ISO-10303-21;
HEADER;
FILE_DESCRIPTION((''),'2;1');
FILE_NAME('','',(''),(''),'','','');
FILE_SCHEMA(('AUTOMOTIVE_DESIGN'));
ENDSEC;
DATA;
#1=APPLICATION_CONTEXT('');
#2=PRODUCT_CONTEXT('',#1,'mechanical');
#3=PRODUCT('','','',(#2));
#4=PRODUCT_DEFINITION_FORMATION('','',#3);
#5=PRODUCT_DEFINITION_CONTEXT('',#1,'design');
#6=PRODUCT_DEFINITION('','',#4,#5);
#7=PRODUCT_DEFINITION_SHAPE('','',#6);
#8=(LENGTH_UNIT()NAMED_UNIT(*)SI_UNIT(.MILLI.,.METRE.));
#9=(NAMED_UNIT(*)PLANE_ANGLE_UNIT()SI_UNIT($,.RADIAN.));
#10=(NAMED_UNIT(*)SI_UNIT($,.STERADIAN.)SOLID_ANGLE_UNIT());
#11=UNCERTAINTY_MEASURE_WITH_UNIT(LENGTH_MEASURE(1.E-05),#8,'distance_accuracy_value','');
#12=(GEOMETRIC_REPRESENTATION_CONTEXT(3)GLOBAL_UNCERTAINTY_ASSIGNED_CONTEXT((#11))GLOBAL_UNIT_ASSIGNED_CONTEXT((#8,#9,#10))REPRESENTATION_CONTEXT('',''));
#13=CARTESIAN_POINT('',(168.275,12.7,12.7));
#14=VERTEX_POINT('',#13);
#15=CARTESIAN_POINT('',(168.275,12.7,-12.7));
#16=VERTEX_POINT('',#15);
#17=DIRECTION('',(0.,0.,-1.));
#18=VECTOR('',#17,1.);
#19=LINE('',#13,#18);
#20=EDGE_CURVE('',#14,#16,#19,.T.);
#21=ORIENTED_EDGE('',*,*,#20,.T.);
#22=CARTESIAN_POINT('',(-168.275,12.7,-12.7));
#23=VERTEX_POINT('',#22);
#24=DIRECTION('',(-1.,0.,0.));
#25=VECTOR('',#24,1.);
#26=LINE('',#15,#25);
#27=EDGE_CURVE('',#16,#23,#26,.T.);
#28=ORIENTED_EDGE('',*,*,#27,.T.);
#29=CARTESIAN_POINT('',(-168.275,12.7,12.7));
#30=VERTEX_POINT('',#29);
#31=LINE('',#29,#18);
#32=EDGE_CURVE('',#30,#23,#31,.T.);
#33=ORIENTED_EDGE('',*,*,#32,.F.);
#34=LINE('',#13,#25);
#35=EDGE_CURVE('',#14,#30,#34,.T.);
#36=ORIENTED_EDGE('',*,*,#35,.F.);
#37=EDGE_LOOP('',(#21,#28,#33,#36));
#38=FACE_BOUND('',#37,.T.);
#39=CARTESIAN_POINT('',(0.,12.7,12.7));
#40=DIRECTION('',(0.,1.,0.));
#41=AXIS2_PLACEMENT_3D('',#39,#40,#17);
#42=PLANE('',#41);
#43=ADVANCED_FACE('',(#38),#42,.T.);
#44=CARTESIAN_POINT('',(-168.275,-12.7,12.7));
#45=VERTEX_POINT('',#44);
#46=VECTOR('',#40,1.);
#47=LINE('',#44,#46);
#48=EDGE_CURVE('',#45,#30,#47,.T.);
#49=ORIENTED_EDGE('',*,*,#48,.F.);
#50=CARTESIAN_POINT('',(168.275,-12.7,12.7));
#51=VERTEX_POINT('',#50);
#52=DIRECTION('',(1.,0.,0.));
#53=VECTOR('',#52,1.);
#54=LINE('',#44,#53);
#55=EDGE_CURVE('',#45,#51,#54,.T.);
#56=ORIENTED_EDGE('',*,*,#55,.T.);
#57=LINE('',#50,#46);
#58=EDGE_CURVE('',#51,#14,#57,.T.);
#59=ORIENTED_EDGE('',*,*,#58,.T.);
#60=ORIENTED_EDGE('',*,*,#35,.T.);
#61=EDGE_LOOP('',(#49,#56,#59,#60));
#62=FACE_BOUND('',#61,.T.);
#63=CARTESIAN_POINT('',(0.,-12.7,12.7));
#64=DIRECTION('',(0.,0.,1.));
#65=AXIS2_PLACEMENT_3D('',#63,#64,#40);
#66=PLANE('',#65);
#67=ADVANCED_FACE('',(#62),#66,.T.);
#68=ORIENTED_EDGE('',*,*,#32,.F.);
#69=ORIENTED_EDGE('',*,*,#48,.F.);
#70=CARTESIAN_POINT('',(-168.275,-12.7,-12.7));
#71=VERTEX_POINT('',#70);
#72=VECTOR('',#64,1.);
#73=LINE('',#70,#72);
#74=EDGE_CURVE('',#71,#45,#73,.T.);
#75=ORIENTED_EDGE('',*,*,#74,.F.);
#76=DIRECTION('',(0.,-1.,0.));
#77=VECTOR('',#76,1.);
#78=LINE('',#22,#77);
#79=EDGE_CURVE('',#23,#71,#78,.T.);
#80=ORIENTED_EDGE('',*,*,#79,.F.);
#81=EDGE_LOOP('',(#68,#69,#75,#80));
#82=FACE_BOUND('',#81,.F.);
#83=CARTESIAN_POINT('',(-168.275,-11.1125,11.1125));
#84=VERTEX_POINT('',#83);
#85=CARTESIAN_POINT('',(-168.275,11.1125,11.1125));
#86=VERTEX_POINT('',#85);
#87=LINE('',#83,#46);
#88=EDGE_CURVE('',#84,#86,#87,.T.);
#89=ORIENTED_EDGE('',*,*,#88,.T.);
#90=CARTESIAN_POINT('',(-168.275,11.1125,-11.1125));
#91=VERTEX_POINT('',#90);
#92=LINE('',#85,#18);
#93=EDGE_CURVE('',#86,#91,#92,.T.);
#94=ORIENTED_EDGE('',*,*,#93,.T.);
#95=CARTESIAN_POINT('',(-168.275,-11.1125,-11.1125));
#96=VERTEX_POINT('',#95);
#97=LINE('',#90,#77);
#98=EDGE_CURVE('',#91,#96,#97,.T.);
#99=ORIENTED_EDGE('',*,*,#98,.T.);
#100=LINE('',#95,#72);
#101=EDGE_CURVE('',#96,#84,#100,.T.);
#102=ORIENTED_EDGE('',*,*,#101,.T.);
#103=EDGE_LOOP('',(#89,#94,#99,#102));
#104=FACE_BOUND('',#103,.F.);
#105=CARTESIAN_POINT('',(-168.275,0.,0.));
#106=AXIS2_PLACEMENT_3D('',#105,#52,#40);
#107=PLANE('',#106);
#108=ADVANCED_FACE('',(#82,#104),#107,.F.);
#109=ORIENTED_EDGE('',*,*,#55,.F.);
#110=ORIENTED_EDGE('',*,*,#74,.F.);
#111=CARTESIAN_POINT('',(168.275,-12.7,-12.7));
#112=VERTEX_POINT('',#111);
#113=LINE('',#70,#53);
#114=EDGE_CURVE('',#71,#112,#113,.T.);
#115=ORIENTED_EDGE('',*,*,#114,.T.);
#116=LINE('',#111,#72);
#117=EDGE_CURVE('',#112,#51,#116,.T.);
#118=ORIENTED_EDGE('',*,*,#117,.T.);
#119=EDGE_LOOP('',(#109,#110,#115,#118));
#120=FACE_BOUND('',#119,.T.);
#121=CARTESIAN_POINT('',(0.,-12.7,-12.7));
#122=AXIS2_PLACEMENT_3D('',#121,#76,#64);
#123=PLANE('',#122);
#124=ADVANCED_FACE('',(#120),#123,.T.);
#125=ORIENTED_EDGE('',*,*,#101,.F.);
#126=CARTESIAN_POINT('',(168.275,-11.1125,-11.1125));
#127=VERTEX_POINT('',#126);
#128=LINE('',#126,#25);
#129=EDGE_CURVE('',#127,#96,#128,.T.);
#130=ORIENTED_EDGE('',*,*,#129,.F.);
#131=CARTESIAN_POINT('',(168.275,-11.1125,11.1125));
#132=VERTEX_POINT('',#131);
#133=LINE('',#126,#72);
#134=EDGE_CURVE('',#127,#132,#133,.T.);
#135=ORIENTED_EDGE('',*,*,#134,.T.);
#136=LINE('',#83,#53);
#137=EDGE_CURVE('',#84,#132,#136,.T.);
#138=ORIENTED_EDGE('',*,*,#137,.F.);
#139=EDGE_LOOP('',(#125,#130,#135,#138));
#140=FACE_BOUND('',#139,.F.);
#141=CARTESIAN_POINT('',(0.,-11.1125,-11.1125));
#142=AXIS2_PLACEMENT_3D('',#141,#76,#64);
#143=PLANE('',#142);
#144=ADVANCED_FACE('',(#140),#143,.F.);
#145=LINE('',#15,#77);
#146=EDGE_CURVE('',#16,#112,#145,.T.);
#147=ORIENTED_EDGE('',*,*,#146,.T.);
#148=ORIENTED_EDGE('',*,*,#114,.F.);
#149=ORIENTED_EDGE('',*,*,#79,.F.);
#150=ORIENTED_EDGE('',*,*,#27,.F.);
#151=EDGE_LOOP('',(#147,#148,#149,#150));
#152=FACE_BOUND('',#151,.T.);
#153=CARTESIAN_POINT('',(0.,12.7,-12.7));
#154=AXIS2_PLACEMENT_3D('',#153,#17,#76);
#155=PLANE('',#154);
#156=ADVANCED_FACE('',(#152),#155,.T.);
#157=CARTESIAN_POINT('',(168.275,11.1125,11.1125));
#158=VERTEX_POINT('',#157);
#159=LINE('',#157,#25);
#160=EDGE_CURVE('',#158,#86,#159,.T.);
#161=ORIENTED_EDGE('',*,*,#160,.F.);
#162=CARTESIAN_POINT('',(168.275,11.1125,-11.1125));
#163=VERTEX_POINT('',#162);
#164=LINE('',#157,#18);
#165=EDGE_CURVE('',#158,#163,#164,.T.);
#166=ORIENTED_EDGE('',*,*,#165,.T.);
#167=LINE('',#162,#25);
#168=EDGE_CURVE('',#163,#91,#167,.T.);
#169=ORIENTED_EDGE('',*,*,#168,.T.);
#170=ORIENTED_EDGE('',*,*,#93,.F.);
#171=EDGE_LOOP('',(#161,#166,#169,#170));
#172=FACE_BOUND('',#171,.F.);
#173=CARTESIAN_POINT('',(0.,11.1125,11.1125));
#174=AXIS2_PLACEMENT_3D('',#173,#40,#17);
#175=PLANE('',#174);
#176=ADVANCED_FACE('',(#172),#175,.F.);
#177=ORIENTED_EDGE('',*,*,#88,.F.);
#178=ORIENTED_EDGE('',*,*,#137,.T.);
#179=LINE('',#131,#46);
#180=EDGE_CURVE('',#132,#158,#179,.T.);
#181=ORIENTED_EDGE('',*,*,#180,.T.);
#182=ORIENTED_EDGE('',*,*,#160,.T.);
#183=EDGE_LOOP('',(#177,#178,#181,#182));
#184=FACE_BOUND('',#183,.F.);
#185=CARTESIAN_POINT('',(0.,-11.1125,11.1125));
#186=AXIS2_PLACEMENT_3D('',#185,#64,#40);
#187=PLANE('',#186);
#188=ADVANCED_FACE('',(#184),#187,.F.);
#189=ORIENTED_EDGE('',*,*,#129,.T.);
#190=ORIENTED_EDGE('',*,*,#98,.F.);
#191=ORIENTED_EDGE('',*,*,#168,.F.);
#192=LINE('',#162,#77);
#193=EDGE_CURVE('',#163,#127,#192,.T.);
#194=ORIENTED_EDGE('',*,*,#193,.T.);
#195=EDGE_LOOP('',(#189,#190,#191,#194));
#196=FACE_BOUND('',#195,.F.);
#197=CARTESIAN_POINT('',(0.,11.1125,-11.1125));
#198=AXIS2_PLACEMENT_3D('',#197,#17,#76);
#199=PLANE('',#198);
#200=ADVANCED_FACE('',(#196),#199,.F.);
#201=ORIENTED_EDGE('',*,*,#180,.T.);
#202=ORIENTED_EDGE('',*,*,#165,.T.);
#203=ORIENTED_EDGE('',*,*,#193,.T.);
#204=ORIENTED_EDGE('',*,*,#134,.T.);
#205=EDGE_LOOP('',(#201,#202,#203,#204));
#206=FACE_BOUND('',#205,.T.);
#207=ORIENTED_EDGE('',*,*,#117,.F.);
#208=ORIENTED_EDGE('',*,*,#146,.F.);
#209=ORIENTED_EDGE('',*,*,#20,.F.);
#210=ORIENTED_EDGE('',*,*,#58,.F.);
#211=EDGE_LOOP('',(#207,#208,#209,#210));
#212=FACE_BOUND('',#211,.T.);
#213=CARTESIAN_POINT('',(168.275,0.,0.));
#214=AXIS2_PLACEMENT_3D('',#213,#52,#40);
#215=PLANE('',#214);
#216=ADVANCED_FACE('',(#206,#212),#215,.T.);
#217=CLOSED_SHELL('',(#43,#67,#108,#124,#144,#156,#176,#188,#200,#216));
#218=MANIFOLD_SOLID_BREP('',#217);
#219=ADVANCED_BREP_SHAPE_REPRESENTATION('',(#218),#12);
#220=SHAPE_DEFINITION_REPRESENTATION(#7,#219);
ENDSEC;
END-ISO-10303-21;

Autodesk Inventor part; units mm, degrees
ref_plane "YZ Plane" through (0, 0, 0) normal (1, 0, 0) x (0, 1, 0)
ref_plane "XZ Plane" through (0, 0, 0) normal (0, 1, 0) x (-1, 0, 0)
ref_plane "XY Plane" through (0, 0, 0) normal (0, 0, 1) x (1, 0, 0)
sketch "Sketch1" plane through (0, 0, 0) normal (1, 0, 0) x (0, 1, 0)
  line L0 (-12.7, 12.7) -> (12.7, 12.7)
  line L1 (12.7, 12.7) -> (12.7, -12.7)
  line L2 (12.7, -12.7) -> (-12.7, -12.7)
  line L3 (-12.7, -12.7) -> (-12.7, 12.7)
  line L4 (-12.7, 12.7) -> (12.7, -12.7) construction
  line L5 (12.7, 12.7) -> (-12.7, -12.7) construction
  line L6 (-11.1125, 11.1125) -> (11.1125, 11.1125)
  line L7 (11.1125, 11.1125) -> (11.1125, -11.1125)
  line L8 (11.1125, -11.1125) -> (-11.1125, -11.1125)
  line L9 (-11.1125, -11.1125) -> (-11.1125, 11.1125)
  line L10 (-11.1125, 11.1125) -> (11.1125, -11.1125) construction
  line L11 (11.1125, 11.1125) -> (-11.1125, -11.1125) construction
  point P0 (0, 0)
  dimension "d0" = 25.4
  dimension "d1" = 1.5875
extrude "Extrusion1" add sketch "Sketch1" along normal mid plane 336.55
properties part number "cross brace" material "Aluminum 6061"
